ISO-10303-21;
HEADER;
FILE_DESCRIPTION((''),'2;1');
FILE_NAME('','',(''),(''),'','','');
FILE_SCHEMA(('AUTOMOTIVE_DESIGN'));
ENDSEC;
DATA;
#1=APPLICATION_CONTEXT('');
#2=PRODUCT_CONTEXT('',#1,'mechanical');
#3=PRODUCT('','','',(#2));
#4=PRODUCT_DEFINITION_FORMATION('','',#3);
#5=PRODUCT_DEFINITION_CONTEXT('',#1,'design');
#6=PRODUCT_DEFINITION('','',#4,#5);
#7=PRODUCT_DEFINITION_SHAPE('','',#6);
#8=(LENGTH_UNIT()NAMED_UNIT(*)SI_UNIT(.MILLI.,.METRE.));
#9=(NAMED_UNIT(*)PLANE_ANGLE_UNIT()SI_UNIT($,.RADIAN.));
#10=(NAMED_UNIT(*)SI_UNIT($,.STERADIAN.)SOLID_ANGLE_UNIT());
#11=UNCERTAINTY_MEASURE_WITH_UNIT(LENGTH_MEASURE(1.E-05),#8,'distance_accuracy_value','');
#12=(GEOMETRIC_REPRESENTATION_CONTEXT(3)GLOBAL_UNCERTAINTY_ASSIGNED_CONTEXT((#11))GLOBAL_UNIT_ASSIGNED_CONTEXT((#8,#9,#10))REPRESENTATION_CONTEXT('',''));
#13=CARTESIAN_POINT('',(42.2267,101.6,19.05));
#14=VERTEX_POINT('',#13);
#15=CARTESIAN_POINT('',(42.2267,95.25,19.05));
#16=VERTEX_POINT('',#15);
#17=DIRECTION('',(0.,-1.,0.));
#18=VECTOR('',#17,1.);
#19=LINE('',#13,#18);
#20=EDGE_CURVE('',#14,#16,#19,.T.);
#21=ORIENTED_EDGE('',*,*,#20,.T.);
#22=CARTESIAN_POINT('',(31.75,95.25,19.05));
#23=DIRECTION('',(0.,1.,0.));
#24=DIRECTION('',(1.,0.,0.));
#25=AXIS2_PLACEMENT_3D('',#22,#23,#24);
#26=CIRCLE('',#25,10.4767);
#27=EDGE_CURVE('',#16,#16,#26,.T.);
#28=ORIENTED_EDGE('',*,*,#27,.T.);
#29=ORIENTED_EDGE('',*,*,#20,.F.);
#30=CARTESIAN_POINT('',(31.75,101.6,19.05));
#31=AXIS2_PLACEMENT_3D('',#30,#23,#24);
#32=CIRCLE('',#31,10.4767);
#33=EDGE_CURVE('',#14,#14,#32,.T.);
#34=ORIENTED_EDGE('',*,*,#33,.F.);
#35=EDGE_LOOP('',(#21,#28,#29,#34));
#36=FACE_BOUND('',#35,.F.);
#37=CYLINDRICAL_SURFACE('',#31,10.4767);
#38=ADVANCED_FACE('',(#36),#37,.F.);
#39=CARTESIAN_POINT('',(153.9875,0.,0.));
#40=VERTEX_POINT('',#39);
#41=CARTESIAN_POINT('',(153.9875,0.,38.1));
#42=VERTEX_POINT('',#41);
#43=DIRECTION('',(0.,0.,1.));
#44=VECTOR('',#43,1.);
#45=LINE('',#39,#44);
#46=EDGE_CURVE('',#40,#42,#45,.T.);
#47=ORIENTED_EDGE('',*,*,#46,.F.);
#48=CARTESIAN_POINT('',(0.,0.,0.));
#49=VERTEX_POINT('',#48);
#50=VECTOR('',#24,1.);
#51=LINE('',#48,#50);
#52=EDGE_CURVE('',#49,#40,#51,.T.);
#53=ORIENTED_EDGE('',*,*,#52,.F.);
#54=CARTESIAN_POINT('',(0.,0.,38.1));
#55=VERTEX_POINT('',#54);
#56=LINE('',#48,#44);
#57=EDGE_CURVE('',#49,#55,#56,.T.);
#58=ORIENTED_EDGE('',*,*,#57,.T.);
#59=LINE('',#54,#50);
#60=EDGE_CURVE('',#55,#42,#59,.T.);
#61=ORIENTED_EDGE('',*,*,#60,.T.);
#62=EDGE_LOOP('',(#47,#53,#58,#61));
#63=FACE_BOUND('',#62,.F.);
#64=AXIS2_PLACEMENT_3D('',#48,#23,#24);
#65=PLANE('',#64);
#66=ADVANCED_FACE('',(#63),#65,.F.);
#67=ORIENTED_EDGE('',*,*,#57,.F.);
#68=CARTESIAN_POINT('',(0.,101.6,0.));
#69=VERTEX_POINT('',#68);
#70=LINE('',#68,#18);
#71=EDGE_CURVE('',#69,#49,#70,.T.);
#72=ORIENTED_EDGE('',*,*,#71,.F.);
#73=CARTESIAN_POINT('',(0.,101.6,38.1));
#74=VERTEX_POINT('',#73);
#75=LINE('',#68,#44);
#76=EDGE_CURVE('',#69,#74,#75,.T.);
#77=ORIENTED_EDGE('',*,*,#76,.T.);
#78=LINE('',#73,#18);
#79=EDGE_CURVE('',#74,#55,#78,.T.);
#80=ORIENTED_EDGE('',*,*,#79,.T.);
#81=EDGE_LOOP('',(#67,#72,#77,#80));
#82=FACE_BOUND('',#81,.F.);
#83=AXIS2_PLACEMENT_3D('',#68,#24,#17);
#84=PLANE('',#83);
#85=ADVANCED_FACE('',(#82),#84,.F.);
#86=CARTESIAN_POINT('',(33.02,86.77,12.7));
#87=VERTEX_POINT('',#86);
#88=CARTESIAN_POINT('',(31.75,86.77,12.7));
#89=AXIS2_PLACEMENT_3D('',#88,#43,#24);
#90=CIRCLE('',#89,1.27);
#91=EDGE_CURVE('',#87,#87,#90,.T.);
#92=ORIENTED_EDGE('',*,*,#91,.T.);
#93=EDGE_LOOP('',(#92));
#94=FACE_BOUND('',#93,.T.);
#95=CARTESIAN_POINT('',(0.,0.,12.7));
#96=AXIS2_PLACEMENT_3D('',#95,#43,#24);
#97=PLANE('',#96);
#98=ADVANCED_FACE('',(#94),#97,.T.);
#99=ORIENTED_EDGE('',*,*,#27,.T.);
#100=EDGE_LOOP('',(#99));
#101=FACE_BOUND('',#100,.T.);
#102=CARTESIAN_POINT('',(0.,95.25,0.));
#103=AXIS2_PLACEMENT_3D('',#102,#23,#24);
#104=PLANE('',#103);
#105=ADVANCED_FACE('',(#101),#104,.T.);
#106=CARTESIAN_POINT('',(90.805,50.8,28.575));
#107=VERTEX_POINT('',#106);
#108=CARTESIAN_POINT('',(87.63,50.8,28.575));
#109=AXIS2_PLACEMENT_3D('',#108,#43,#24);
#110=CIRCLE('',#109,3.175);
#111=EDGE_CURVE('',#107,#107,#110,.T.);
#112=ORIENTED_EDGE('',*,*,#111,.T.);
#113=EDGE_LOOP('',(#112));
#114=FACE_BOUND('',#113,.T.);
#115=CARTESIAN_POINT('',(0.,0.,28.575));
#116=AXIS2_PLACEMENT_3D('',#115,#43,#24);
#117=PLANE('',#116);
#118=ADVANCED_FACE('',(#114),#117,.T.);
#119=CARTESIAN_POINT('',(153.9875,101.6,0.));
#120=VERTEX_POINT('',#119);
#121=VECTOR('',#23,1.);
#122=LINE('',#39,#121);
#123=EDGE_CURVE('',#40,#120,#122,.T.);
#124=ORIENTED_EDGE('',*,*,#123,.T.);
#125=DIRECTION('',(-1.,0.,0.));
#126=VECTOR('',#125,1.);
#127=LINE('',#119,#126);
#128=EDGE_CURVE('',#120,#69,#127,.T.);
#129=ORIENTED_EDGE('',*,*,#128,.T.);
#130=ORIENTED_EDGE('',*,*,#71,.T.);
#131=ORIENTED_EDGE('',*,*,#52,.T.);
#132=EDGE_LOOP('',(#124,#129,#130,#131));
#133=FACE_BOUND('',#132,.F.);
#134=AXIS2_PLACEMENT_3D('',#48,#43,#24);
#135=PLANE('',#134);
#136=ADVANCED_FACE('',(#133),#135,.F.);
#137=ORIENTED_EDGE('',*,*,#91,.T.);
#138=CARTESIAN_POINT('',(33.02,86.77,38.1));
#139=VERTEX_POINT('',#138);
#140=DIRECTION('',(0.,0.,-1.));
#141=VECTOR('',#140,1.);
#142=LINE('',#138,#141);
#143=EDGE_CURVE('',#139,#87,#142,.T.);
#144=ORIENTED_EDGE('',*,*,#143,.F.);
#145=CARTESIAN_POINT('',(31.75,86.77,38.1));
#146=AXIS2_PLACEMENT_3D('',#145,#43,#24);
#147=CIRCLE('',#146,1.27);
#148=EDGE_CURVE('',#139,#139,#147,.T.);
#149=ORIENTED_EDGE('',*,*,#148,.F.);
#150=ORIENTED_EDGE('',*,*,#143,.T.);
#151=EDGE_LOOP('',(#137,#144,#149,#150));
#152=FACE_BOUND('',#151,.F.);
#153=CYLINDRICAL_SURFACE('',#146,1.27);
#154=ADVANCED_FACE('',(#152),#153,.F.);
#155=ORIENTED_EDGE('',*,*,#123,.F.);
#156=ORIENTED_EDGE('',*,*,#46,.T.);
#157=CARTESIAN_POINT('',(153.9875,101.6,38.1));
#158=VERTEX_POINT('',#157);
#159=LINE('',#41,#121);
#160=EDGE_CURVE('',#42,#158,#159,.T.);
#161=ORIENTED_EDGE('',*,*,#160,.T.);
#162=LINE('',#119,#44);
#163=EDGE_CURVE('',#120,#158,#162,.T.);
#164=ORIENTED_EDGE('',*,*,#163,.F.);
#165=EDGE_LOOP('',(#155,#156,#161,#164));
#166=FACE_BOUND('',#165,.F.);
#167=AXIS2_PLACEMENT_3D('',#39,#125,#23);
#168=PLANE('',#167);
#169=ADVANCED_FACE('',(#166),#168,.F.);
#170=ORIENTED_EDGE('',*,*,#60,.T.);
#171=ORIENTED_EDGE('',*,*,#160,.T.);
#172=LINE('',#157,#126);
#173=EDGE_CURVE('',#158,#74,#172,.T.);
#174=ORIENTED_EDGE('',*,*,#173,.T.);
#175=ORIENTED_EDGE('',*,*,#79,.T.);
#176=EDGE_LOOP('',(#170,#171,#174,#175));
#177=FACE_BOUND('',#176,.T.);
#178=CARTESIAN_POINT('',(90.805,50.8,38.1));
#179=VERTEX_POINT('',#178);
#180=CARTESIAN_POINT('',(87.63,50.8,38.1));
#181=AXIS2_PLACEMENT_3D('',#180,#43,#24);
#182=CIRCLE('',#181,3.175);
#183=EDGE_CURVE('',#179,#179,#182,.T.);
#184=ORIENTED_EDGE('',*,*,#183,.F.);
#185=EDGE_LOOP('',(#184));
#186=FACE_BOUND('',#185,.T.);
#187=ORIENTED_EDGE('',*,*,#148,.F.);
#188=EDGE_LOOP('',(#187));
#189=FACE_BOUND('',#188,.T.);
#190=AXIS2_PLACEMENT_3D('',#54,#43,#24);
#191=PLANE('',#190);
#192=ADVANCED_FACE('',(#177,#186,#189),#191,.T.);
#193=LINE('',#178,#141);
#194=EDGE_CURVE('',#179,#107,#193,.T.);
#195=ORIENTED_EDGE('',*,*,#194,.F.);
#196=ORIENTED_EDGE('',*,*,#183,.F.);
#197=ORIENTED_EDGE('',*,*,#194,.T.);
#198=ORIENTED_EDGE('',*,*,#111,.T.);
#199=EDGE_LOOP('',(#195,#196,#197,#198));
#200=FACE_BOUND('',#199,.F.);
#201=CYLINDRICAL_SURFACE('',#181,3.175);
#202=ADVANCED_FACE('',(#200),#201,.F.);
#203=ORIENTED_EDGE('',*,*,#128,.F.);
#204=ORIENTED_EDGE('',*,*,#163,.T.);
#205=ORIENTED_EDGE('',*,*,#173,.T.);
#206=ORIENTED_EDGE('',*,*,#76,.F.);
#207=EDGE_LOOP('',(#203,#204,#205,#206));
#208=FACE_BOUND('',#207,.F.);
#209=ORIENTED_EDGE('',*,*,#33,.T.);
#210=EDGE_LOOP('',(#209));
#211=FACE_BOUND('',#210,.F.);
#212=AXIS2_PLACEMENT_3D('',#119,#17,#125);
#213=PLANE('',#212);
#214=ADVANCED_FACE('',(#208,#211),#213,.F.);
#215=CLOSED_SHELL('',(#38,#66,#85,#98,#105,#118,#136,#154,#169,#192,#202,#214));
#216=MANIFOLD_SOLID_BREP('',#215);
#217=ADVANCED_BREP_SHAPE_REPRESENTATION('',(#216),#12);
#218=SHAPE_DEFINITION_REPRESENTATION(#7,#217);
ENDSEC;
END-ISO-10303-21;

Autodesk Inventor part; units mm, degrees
ref_plane "YZ Plane" through (0, 0, 0) normal (1, 0, 0) x (0, 1, 0)
ref_plane "XZ Plane" through (0, 0, 0) normal (0, 1, 0) x (-1, 0, 0)
ref_plane "XY Plane" through (0, 0, 0) normal (0, 0, 1) x (1, 0, 0)
sketch "Sketch1" plane through (0, 0, 0) normal (0, 0, 1) x (1, 0, 0)
  line L0 (0, 0) -> (153.9875, 0)
  line L1 (153.9875, 0) -> (153.9875, 101.6)
  line L2 (153.9875, 101.6) -> (0, 101.6)
  line L3 (0, 101.6) -> (0, 0)
  dimension "d0" = 153.9875
  dimension "d1" = 101.6
extrude "Extrusion1" add sketch "Sketch1" along normal blind 38.1
sketch "Sketch2" plane through (0, 101.6, 0) normal (0, 1, 0) x (1, 0, 0)
  line L0 (0, -38.1) -> (153.9875, -38.1) projected
  line L1 (0, 0) -> (0, -38.1) projected
  circle A0 centre (31.75, -19.05) radius 10.4767
  dimension "d4" = 31.75
  dimension "d5" = 19.05
extrude "Extrusion2" cut sketch "Sketch2" against normal blind 6.35
sketch "Sketch3" plane through (0, 0, 38.1) normal (0, 0, 1) x (1, 0, 0)
  line L0 (0, 0) -> (0, 101.6) projected
  line L1 (0, 101.6) -> (153.9875, 101.6) projected
  circle A0 centre (87.63, 50.8) radius 3.175
  dimension "d8" = 6.35
  dimension "d9" = 87.63
  dimension "d10" = 50.8
extrude "Extrusion3" cut sketch "Sketch3" against normal blind 9.525
sketch "Sketch4" plane through (0, 0, 38.1) normal (0, 0, 1) x (1, 0, 0)
  line L0 (42.2267, 95.25) -> (21.2733, 95.25) projected
  line L1 (31.75, 95.25) -> (31.75, 50.8) construction
  circle A0 centre (31.75, 86.77) radius 1.27
  dimension "d13" = 2.54
extrude "Extrusion4" cut sketch "Sketch4" against normal blind 25.4
properties part number "aaxaProjector01" material "ABS Plastic"
